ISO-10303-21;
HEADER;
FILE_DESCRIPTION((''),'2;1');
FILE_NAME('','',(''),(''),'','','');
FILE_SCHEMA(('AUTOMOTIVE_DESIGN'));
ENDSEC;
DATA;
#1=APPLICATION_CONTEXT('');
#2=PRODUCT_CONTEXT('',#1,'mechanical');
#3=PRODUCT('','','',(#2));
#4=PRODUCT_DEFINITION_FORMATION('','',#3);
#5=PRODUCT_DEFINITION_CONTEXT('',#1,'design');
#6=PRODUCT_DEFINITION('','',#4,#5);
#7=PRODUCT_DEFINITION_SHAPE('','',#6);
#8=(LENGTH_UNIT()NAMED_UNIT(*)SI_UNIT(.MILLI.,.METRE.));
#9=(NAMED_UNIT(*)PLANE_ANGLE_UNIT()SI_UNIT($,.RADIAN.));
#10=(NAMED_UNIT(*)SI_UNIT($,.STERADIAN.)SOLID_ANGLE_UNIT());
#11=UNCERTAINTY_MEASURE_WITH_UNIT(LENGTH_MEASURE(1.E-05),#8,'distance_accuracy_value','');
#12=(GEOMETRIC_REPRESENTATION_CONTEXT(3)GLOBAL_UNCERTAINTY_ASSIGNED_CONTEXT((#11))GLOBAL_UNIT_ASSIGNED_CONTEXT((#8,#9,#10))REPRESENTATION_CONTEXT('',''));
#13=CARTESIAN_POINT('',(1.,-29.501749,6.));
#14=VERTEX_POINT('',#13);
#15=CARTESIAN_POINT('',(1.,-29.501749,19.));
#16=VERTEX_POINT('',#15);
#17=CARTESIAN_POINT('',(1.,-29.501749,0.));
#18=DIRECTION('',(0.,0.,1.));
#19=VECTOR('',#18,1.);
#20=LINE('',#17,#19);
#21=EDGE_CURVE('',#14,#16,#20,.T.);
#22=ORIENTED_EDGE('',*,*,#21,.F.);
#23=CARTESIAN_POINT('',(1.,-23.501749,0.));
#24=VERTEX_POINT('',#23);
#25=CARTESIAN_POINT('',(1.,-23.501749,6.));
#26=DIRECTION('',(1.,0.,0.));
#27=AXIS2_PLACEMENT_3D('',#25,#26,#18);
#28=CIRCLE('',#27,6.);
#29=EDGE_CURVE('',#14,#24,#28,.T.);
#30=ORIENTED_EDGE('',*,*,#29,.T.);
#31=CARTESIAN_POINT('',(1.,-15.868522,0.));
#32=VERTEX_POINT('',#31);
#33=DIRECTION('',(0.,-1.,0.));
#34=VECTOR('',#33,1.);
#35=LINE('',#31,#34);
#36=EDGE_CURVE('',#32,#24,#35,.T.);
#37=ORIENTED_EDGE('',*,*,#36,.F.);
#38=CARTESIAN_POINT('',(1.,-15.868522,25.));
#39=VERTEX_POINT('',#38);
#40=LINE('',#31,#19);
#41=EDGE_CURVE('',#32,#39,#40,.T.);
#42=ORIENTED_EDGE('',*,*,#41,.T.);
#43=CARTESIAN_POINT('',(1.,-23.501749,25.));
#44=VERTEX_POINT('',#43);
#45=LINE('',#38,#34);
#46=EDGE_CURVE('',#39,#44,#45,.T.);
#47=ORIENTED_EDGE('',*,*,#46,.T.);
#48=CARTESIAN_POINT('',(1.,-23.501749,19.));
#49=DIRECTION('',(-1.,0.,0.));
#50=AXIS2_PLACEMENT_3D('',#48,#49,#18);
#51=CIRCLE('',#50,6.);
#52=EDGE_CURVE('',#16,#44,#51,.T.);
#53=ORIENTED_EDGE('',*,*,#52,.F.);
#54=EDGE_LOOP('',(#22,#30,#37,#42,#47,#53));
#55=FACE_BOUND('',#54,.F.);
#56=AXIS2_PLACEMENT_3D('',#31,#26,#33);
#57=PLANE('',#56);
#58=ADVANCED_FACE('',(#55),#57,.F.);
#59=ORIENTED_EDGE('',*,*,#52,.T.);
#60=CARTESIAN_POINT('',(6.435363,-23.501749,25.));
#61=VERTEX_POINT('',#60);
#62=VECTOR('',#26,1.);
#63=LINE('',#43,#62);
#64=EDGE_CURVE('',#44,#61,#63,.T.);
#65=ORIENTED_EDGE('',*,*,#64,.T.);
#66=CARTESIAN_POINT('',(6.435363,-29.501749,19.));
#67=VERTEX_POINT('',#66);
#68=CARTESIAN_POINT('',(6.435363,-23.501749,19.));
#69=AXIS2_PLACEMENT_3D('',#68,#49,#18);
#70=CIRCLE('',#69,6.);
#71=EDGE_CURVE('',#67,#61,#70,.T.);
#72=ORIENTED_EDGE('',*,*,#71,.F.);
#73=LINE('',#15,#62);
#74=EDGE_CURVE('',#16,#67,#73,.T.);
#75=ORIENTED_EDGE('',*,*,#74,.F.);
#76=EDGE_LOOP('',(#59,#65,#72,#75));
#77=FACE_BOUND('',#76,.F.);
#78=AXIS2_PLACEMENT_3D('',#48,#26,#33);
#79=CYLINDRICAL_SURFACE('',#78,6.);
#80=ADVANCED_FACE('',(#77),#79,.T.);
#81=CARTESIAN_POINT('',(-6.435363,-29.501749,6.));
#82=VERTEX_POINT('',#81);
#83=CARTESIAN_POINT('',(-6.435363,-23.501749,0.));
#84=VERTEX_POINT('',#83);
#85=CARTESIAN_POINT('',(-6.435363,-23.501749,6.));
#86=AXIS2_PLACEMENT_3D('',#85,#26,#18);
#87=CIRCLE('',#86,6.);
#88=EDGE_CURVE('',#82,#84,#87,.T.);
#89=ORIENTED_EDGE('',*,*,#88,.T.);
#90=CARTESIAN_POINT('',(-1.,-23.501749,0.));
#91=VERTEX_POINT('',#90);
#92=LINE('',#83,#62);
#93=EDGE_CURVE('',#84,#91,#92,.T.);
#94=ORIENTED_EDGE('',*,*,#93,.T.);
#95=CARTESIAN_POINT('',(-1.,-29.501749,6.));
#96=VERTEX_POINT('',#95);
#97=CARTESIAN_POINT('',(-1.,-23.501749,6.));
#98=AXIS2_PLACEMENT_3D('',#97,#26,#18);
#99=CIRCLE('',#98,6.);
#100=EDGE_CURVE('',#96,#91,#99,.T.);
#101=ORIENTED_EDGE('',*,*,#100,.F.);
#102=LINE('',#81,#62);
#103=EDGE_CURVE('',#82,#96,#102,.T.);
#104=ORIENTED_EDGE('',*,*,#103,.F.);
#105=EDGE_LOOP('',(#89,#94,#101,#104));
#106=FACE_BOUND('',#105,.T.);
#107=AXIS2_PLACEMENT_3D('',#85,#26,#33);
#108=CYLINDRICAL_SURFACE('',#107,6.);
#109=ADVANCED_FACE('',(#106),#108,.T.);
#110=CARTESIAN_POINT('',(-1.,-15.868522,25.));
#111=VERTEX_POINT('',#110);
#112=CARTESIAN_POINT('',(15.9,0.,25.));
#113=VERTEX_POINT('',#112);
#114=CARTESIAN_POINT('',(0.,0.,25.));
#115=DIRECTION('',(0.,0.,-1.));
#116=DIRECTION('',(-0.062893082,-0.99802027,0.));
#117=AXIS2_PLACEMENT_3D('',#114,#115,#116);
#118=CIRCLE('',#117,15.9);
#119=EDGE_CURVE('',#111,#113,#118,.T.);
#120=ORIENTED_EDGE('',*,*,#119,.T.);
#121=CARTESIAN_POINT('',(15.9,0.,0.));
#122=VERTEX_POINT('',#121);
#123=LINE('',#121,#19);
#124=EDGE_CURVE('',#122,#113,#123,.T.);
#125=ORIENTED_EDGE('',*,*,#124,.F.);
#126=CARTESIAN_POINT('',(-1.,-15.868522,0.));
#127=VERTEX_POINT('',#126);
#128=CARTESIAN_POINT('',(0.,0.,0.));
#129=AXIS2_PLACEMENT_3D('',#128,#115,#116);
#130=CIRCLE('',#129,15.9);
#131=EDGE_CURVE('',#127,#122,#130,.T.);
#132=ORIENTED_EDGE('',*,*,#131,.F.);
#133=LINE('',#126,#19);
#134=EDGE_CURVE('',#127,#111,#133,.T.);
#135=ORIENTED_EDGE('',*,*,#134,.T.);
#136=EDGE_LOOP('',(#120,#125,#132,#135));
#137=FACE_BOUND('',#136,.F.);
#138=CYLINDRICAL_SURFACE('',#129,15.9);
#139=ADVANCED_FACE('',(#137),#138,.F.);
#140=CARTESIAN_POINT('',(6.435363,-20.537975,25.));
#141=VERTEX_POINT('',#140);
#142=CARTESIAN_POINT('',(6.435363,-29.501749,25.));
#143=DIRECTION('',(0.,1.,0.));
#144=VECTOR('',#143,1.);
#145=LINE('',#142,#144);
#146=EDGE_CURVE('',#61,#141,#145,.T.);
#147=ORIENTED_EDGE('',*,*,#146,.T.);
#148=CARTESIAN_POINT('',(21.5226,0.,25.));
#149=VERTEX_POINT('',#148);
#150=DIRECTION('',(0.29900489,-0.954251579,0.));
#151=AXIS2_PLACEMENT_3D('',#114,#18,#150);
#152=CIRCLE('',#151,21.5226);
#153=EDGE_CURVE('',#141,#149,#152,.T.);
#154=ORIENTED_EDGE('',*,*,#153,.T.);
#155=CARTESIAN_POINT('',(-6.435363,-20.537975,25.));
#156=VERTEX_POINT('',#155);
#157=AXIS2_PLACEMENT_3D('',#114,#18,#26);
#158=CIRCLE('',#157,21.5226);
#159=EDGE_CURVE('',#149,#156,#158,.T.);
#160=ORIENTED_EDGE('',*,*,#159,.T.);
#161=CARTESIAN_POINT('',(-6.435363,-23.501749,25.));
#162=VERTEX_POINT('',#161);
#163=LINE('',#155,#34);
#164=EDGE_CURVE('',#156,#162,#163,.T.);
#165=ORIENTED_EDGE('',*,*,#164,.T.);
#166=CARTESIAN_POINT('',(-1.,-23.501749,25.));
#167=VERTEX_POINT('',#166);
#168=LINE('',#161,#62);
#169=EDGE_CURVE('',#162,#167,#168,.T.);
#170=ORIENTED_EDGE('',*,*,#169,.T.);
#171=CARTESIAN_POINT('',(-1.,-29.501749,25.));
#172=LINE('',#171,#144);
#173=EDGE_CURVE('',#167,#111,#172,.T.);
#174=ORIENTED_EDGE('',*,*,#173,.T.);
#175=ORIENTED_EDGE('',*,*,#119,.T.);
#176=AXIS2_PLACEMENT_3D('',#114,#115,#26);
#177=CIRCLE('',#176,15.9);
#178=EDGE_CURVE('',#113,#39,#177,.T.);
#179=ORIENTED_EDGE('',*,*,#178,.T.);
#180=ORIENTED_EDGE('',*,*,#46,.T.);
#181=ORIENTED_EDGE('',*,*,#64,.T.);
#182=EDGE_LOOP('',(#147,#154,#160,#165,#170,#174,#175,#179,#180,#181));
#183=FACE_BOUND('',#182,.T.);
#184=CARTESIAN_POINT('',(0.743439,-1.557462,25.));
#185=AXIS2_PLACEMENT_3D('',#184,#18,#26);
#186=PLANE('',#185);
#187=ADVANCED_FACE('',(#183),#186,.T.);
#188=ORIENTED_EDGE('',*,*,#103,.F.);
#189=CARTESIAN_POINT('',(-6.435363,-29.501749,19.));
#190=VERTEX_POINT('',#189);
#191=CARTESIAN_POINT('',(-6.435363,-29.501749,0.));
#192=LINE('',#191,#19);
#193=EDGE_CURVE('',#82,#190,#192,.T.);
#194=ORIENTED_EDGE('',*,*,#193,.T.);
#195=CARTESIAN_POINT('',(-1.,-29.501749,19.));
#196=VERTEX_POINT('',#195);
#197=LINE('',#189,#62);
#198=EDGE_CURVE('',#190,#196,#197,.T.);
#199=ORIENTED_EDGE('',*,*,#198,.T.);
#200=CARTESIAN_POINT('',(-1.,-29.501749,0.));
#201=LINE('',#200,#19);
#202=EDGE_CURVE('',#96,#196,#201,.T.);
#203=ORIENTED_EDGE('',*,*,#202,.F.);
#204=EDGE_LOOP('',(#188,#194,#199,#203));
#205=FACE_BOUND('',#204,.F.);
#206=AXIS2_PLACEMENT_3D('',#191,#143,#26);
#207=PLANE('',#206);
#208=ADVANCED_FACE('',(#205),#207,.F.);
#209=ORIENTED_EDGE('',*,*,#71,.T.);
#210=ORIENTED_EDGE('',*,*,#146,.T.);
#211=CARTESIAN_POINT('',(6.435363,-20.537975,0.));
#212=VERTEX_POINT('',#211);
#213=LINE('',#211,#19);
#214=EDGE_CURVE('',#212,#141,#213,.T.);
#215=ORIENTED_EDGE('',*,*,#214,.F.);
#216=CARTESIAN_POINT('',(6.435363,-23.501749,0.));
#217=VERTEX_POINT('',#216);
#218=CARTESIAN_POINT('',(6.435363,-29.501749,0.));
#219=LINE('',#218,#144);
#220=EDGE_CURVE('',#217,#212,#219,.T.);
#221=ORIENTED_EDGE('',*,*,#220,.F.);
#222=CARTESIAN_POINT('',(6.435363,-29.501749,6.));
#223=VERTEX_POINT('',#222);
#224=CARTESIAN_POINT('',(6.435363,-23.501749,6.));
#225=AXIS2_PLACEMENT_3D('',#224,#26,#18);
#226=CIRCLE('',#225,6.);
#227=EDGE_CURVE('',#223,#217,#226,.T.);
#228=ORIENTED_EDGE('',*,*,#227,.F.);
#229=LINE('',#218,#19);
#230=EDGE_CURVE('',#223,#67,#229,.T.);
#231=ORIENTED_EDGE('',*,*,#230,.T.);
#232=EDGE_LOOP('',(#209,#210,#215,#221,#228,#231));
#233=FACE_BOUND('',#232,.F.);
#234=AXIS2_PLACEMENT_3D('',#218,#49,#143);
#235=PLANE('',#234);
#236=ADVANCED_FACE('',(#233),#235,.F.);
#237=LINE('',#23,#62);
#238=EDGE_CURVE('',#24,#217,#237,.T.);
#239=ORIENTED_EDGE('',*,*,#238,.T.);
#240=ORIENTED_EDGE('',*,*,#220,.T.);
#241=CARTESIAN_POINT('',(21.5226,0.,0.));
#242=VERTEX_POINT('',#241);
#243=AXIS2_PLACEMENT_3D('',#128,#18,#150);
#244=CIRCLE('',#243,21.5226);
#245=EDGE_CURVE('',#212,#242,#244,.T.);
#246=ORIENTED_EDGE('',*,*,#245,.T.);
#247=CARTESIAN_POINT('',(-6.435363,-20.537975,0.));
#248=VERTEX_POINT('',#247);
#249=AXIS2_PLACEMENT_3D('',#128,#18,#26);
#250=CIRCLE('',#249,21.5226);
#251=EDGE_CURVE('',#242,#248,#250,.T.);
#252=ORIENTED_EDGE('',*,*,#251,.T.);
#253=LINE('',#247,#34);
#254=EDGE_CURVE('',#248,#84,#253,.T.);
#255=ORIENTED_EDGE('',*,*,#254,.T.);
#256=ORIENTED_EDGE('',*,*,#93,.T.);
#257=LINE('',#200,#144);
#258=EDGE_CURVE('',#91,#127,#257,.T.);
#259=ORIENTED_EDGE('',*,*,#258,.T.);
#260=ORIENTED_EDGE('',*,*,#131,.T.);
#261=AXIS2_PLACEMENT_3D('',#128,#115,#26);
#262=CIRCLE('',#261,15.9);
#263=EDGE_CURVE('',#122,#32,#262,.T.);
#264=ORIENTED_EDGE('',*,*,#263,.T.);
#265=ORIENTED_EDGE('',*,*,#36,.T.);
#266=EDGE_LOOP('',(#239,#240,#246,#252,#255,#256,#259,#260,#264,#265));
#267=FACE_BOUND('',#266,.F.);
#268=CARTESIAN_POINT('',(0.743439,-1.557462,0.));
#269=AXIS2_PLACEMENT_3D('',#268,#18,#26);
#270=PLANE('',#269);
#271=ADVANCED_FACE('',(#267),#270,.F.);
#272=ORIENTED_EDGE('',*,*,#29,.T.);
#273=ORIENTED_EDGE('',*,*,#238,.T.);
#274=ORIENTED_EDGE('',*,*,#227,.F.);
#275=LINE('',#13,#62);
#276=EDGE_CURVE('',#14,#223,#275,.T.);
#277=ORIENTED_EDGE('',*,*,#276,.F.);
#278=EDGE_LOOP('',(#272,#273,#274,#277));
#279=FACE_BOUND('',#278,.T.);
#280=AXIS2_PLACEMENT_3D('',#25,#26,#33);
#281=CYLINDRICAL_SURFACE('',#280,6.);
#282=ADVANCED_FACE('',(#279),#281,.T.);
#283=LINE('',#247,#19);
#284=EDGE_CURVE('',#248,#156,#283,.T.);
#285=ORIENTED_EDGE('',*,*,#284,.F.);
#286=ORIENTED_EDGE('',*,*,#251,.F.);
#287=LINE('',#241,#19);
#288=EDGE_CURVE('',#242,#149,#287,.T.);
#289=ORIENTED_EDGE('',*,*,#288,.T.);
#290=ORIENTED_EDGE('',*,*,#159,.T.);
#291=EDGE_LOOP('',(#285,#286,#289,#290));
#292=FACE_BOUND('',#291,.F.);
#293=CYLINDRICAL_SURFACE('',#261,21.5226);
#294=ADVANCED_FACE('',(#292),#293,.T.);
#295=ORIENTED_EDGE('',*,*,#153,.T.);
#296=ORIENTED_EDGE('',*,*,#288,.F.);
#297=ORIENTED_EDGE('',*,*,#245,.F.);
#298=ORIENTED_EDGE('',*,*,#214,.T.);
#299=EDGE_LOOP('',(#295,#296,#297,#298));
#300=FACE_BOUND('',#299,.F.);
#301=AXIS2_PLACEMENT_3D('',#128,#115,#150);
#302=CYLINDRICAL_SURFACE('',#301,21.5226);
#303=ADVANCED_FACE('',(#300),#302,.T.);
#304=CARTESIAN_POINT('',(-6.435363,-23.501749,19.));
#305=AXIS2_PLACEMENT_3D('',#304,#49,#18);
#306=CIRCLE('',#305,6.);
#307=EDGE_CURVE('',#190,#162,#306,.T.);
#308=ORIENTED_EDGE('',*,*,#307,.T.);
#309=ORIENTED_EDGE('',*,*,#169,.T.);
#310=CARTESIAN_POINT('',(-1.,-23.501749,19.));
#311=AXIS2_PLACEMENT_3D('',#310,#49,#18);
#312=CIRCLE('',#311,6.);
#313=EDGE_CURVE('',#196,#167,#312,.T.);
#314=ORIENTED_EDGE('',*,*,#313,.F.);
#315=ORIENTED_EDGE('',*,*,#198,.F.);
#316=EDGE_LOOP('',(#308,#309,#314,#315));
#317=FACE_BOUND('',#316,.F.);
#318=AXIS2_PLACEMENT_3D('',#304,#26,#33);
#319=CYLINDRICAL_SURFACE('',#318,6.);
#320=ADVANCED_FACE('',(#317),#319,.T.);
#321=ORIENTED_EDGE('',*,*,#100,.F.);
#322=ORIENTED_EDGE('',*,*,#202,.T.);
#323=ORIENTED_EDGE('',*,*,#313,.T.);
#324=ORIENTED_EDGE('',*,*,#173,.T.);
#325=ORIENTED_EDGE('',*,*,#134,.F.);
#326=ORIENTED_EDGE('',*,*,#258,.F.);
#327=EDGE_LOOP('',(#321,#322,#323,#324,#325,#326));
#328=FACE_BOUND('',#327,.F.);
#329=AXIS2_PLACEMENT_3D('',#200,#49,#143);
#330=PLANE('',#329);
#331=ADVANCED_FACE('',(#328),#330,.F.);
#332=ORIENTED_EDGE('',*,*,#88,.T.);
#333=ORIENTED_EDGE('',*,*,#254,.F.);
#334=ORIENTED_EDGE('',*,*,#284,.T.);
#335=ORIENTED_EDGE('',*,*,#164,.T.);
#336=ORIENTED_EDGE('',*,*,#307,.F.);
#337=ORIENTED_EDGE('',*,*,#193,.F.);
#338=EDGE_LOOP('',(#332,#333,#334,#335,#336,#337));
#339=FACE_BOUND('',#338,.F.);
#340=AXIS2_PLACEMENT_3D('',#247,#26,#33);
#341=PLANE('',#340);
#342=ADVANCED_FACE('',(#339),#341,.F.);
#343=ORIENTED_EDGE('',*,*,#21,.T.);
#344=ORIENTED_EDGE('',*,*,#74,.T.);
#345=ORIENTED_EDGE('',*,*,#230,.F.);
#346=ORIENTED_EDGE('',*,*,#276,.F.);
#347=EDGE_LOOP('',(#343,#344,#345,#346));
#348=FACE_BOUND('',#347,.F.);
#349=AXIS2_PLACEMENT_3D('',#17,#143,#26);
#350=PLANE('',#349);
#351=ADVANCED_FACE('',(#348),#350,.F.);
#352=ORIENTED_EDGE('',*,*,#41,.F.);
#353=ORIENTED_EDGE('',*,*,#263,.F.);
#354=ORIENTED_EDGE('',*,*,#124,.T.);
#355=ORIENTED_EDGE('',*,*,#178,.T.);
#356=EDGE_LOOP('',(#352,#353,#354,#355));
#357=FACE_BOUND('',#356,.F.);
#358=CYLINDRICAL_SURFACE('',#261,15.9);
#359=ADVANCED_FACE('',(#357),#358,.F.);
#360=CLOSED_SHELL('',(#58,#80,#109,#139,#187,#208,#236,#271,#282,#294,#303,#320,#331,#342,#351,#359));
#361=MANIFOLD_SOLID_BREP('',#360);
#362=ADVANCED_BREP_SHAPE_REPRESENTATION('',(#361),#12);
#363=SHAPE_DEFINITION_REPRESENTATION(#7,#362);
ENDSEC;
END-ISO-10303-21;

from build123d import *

# Parameters (mm, degrees)
F1_DEPTH = 25
F2_R     = 6


with BuildPart() as f1:
    # F0 (on Top) → F1 (new body)
    with BuildSketch(Plane.XY):
        with BuildLine():
            ThreePointArc((-1, -15.8685223005), (-10.8837034138, 11.5911604251), (15.9, 0))
            ThreePointArc((15.9, 0), (11.5911604251, -10.8837034138), (1, -15.8685223005))
            Line((1, -15.8685223005), (1, -21.4993559434))
            ThreePointArc((1, -21.4993559434), (3.7486287757, -21.1936332016), (6.4353626221, -20.5379749221))
            ThreePointArc((6.4353626221, -20.5379749221), (17.3454322638, -12.741989074), (21.522599889, 0))
            ThreePointArc((21.522599889, 0), (-12.741989074, 17.3454322638), (-6.4353626221, -20.5379749221))
            ThreePointArc((-6.4353626221, -20.5379749221), (-3.7486287757, -21.1936332016), (-1, -21.4993559434))
            Line((-1, -21.4993559434), (-1, -15.8685223005))
        make_face()
        with BuildLine():
            Line((-1, -29.5017492026), (-1, -21.4993559434))
            ThreePointArc((-1, -21.4993559434), (-3.7486287757, -21.1936332016), (-6.4353626221, -20.5379749221))
            Line((-6.4353626221, -20.5379749221), (-6.4353626221, -29.5017492026))
            Line((-6.4353626221, -29.5017492026), (-1, -29.5017492026))
        make_face()
        with BuildLine():
            ThreePointArc((6.4353626221, -20.5379749221), (3.7486287757, -21.1936332016), (1, -21.4993559434))
            Line((1, -21.4993559434), (1, -29.5017492026))
            Line((1, -29.5017492026), (6.4353626221, -29.5017492026))
            Line((6.4353626221, -29.5017492026), (6.4353626221, -20.5379749221))
        make_face()
    extrude(amount=F1_DEPTH)

    # F2
    f2_edges = [f1.edges().sort_by_distance(p)[0] for p in [
        (3.717681, -29.501749, 25),
        (-3.717681, -29.501749, 25),
        (3.717681, -29.501749, 0),
        (-3.717681, -29.501749, 0),
    ]]
    fillet(f2_edges, radius=F2_R)


solid = f1.part
